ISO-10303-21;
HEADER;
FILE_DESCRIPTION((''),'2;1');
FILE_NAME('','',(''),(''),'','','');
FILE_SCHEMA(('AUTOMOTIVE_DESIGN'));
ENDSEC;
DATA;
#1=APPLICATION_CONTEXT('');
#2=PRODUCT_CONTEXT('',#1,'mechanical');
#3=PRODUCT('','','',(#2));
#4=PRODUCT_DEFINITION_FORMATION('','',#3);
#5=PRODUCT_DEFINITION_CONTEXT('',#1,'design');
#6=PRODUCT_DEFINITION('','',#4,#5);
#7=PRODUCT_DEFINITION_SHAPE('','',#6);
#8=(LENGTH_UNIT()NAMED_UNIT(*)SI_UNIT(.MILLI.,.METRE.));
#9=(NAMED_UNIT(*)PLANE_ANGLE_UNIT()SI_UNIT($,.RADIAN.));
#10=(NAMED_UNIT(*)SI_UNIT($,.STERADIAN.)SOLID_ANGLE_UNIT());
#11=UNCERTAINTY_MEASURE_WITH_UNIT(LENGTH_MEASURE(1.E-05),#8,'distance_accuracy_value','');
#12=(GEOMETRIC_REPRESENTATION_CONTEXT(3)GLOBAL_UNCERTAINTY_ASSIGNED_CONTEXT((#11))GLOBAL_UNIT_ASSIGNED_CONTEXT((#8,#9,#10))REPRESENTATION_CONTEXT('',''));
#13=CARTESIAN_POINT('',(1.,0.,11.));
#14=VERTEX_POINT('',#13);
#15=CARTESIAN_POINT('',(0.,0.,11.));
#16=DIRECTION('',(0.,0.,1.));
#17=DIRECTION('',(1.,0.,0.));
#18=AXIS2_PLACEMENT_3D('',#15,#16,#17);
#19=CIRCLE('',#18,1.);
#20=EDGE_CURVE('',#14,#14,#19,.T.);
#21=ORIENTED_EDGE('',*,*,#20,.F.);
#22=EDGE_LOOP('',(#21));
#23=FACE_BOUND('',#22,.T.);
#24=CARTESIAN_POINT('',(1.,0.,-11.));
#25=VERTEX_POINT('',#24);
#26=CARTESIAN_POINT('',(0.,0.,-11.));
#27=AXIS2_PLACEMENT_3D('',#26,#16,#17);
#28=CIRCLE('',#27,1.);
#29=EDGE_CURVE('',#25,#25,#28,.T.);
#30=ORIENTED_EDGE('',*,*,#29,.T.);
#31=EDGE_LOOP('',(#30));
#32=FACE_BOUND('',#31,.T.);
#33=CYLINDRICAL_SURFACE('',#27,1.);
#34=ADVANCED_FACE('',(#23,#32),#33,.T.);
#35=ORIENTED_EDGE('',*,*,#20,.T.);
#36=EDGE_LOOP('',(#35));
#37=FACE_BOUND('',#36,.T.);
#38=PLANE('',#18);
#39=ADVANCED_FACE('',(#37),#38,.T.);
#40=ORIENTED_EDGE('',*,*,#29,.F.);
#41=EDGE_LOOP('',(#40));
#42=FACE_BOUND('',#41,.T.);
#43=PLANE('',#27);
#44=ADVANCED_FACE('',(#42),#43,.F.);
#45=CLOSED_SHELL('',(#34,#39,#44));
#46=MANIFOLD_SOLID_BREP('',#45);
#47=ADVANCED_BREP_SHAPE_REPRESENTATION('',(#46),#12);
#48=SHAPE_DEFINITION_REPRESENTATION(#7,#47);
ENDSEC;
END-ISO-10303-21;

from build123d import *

# Parameters (mm, degrees)
BOSS_EXTRUDE1_DEPTH      = 11
BOSS_EXTRUDE1_DEPTH_BACK = 11
SKETCH1_R                = 1


with BuildPart() as part:
    # Sketch1 → Boss-Extrude1 (new, two sides: drawn at the far end of the back side and taken through both)
    with BuildSketch(Plane.XY.offset(-BOSS_EXTRUDE1_DEPTH_BACK)):
        Circle(SKETCH1_R)
    extrude(amount=BOSS_EXTRUDE1_DEPTH + BOSS_EXTRUDE1_DEPTH_BACK)


solid = part.part
